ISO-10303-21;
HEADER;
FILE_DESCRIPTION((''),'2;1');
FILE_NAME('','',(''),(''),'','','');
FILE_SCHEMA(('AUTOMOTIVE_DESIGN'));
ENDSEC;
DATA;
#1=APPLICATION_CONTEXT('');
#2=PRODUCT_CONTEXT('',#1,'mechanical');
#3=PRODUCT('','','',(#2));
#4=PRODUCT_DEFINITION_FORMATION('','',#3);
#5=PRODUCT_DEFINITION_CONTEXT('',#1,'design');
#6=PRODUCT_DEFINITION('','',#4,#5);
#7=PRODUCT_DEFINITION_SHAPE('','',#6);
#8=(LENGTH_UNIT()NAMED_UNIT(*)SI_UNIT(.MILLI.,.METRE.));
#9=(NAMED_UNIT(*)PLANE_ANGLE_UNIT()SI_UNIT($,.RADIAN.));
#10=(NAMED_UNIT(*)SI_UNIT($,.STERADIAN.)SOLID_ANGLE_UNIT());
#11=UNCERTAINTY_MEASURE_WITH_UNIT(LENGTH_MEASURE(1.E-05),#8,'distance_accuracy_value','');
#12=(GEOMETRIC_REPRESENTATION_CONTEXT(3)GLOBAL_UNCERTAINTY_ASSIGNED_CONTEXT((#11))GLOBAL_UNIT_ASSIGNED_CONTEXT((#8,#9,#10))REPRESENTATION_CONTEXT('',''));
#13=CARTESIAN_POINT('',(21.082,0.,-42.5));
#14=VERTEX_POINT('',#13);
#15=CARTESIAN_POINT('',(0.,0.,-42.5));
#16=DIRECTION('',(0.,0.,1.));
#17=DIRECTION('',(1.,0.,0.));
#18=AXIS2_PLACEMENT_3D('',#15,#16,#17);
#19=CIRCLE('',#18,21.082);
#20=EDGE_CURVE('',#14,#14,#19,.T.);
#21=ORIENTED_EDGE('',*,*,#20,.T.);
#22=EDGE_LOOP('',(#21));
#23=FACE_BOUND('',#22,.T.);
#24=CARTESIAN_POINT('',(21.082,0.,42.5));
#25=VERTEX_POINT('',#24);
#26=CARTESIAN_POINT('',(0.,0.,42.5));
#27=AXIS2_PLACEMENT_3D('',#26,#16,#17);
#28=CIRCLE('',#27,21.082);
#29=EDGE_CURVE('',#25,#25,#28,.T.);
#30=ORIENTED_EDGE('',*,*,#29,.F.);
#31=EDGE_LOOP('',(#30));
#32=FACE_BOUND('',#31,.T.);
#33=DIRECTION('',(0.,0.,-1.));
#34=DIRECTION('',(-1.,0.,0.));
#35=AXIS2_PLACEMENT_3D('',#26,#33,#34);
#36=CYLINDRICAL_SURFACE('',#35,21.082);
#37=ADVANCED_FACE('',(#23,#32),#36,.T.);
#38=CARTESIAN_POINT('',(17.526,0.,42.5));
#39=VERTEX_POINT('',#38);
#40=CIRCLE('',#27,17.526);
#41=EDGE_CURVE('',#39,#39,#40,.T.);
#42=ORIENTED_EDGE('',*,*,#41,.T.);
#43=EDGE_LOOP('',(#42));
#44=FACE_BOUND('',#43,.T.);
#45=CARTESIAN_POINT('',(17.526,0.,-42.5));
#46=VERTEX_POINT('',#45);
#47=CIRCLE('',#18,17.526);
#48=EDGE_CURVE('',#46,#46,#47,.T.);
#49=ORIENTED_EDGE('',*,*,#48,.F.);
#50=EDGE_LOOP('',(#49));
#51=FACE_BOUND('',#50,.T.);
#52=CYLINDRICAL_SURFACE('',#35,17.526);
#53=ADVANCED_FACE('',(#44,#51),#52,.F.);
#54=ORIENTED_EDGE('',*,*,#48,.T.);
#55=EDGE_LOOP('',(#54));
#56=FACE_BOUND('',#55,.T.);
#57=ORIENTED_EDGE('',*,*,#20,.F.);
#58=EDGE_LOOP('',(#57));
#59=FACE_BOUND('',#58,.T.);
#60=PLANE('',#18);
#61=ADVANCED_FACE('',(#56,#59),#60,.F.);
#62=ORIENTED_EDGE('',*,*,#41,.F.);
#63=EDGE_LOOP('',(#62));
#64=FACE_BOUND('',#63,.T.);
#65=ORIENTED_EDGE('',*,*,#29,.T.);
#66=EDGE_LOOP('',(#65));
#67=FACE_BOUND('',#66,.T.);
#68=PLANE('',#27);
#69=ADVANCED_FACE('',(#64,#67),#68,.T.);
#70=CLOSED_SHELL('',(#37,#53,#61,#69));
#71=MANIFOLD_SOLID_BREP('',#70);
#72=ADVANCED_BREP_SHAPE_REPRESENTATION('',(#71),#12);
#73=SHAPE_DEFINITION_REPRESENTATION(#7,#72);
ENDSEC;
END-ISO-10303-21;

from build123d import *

# Parameters (mm, degrees)
SKETCH1_R           = 21.082
SKETCH1_R_2         = 17.526
EXTRUDE_THIN1_DEPTH = 42.5


with BuildPart() as part:
    # Sketch1 → Extrude-Thin1 (new body, symmetric)
    with BuildSketch(Plane.XY):
        Circle(SKETCH1_R)
        Circle(SKETCH1_R_2, mode=Mode.SUBTRACT)
    extrude(amount=EXTRUDE_THIN1_DEPTH, both=True)


solid = part.part
